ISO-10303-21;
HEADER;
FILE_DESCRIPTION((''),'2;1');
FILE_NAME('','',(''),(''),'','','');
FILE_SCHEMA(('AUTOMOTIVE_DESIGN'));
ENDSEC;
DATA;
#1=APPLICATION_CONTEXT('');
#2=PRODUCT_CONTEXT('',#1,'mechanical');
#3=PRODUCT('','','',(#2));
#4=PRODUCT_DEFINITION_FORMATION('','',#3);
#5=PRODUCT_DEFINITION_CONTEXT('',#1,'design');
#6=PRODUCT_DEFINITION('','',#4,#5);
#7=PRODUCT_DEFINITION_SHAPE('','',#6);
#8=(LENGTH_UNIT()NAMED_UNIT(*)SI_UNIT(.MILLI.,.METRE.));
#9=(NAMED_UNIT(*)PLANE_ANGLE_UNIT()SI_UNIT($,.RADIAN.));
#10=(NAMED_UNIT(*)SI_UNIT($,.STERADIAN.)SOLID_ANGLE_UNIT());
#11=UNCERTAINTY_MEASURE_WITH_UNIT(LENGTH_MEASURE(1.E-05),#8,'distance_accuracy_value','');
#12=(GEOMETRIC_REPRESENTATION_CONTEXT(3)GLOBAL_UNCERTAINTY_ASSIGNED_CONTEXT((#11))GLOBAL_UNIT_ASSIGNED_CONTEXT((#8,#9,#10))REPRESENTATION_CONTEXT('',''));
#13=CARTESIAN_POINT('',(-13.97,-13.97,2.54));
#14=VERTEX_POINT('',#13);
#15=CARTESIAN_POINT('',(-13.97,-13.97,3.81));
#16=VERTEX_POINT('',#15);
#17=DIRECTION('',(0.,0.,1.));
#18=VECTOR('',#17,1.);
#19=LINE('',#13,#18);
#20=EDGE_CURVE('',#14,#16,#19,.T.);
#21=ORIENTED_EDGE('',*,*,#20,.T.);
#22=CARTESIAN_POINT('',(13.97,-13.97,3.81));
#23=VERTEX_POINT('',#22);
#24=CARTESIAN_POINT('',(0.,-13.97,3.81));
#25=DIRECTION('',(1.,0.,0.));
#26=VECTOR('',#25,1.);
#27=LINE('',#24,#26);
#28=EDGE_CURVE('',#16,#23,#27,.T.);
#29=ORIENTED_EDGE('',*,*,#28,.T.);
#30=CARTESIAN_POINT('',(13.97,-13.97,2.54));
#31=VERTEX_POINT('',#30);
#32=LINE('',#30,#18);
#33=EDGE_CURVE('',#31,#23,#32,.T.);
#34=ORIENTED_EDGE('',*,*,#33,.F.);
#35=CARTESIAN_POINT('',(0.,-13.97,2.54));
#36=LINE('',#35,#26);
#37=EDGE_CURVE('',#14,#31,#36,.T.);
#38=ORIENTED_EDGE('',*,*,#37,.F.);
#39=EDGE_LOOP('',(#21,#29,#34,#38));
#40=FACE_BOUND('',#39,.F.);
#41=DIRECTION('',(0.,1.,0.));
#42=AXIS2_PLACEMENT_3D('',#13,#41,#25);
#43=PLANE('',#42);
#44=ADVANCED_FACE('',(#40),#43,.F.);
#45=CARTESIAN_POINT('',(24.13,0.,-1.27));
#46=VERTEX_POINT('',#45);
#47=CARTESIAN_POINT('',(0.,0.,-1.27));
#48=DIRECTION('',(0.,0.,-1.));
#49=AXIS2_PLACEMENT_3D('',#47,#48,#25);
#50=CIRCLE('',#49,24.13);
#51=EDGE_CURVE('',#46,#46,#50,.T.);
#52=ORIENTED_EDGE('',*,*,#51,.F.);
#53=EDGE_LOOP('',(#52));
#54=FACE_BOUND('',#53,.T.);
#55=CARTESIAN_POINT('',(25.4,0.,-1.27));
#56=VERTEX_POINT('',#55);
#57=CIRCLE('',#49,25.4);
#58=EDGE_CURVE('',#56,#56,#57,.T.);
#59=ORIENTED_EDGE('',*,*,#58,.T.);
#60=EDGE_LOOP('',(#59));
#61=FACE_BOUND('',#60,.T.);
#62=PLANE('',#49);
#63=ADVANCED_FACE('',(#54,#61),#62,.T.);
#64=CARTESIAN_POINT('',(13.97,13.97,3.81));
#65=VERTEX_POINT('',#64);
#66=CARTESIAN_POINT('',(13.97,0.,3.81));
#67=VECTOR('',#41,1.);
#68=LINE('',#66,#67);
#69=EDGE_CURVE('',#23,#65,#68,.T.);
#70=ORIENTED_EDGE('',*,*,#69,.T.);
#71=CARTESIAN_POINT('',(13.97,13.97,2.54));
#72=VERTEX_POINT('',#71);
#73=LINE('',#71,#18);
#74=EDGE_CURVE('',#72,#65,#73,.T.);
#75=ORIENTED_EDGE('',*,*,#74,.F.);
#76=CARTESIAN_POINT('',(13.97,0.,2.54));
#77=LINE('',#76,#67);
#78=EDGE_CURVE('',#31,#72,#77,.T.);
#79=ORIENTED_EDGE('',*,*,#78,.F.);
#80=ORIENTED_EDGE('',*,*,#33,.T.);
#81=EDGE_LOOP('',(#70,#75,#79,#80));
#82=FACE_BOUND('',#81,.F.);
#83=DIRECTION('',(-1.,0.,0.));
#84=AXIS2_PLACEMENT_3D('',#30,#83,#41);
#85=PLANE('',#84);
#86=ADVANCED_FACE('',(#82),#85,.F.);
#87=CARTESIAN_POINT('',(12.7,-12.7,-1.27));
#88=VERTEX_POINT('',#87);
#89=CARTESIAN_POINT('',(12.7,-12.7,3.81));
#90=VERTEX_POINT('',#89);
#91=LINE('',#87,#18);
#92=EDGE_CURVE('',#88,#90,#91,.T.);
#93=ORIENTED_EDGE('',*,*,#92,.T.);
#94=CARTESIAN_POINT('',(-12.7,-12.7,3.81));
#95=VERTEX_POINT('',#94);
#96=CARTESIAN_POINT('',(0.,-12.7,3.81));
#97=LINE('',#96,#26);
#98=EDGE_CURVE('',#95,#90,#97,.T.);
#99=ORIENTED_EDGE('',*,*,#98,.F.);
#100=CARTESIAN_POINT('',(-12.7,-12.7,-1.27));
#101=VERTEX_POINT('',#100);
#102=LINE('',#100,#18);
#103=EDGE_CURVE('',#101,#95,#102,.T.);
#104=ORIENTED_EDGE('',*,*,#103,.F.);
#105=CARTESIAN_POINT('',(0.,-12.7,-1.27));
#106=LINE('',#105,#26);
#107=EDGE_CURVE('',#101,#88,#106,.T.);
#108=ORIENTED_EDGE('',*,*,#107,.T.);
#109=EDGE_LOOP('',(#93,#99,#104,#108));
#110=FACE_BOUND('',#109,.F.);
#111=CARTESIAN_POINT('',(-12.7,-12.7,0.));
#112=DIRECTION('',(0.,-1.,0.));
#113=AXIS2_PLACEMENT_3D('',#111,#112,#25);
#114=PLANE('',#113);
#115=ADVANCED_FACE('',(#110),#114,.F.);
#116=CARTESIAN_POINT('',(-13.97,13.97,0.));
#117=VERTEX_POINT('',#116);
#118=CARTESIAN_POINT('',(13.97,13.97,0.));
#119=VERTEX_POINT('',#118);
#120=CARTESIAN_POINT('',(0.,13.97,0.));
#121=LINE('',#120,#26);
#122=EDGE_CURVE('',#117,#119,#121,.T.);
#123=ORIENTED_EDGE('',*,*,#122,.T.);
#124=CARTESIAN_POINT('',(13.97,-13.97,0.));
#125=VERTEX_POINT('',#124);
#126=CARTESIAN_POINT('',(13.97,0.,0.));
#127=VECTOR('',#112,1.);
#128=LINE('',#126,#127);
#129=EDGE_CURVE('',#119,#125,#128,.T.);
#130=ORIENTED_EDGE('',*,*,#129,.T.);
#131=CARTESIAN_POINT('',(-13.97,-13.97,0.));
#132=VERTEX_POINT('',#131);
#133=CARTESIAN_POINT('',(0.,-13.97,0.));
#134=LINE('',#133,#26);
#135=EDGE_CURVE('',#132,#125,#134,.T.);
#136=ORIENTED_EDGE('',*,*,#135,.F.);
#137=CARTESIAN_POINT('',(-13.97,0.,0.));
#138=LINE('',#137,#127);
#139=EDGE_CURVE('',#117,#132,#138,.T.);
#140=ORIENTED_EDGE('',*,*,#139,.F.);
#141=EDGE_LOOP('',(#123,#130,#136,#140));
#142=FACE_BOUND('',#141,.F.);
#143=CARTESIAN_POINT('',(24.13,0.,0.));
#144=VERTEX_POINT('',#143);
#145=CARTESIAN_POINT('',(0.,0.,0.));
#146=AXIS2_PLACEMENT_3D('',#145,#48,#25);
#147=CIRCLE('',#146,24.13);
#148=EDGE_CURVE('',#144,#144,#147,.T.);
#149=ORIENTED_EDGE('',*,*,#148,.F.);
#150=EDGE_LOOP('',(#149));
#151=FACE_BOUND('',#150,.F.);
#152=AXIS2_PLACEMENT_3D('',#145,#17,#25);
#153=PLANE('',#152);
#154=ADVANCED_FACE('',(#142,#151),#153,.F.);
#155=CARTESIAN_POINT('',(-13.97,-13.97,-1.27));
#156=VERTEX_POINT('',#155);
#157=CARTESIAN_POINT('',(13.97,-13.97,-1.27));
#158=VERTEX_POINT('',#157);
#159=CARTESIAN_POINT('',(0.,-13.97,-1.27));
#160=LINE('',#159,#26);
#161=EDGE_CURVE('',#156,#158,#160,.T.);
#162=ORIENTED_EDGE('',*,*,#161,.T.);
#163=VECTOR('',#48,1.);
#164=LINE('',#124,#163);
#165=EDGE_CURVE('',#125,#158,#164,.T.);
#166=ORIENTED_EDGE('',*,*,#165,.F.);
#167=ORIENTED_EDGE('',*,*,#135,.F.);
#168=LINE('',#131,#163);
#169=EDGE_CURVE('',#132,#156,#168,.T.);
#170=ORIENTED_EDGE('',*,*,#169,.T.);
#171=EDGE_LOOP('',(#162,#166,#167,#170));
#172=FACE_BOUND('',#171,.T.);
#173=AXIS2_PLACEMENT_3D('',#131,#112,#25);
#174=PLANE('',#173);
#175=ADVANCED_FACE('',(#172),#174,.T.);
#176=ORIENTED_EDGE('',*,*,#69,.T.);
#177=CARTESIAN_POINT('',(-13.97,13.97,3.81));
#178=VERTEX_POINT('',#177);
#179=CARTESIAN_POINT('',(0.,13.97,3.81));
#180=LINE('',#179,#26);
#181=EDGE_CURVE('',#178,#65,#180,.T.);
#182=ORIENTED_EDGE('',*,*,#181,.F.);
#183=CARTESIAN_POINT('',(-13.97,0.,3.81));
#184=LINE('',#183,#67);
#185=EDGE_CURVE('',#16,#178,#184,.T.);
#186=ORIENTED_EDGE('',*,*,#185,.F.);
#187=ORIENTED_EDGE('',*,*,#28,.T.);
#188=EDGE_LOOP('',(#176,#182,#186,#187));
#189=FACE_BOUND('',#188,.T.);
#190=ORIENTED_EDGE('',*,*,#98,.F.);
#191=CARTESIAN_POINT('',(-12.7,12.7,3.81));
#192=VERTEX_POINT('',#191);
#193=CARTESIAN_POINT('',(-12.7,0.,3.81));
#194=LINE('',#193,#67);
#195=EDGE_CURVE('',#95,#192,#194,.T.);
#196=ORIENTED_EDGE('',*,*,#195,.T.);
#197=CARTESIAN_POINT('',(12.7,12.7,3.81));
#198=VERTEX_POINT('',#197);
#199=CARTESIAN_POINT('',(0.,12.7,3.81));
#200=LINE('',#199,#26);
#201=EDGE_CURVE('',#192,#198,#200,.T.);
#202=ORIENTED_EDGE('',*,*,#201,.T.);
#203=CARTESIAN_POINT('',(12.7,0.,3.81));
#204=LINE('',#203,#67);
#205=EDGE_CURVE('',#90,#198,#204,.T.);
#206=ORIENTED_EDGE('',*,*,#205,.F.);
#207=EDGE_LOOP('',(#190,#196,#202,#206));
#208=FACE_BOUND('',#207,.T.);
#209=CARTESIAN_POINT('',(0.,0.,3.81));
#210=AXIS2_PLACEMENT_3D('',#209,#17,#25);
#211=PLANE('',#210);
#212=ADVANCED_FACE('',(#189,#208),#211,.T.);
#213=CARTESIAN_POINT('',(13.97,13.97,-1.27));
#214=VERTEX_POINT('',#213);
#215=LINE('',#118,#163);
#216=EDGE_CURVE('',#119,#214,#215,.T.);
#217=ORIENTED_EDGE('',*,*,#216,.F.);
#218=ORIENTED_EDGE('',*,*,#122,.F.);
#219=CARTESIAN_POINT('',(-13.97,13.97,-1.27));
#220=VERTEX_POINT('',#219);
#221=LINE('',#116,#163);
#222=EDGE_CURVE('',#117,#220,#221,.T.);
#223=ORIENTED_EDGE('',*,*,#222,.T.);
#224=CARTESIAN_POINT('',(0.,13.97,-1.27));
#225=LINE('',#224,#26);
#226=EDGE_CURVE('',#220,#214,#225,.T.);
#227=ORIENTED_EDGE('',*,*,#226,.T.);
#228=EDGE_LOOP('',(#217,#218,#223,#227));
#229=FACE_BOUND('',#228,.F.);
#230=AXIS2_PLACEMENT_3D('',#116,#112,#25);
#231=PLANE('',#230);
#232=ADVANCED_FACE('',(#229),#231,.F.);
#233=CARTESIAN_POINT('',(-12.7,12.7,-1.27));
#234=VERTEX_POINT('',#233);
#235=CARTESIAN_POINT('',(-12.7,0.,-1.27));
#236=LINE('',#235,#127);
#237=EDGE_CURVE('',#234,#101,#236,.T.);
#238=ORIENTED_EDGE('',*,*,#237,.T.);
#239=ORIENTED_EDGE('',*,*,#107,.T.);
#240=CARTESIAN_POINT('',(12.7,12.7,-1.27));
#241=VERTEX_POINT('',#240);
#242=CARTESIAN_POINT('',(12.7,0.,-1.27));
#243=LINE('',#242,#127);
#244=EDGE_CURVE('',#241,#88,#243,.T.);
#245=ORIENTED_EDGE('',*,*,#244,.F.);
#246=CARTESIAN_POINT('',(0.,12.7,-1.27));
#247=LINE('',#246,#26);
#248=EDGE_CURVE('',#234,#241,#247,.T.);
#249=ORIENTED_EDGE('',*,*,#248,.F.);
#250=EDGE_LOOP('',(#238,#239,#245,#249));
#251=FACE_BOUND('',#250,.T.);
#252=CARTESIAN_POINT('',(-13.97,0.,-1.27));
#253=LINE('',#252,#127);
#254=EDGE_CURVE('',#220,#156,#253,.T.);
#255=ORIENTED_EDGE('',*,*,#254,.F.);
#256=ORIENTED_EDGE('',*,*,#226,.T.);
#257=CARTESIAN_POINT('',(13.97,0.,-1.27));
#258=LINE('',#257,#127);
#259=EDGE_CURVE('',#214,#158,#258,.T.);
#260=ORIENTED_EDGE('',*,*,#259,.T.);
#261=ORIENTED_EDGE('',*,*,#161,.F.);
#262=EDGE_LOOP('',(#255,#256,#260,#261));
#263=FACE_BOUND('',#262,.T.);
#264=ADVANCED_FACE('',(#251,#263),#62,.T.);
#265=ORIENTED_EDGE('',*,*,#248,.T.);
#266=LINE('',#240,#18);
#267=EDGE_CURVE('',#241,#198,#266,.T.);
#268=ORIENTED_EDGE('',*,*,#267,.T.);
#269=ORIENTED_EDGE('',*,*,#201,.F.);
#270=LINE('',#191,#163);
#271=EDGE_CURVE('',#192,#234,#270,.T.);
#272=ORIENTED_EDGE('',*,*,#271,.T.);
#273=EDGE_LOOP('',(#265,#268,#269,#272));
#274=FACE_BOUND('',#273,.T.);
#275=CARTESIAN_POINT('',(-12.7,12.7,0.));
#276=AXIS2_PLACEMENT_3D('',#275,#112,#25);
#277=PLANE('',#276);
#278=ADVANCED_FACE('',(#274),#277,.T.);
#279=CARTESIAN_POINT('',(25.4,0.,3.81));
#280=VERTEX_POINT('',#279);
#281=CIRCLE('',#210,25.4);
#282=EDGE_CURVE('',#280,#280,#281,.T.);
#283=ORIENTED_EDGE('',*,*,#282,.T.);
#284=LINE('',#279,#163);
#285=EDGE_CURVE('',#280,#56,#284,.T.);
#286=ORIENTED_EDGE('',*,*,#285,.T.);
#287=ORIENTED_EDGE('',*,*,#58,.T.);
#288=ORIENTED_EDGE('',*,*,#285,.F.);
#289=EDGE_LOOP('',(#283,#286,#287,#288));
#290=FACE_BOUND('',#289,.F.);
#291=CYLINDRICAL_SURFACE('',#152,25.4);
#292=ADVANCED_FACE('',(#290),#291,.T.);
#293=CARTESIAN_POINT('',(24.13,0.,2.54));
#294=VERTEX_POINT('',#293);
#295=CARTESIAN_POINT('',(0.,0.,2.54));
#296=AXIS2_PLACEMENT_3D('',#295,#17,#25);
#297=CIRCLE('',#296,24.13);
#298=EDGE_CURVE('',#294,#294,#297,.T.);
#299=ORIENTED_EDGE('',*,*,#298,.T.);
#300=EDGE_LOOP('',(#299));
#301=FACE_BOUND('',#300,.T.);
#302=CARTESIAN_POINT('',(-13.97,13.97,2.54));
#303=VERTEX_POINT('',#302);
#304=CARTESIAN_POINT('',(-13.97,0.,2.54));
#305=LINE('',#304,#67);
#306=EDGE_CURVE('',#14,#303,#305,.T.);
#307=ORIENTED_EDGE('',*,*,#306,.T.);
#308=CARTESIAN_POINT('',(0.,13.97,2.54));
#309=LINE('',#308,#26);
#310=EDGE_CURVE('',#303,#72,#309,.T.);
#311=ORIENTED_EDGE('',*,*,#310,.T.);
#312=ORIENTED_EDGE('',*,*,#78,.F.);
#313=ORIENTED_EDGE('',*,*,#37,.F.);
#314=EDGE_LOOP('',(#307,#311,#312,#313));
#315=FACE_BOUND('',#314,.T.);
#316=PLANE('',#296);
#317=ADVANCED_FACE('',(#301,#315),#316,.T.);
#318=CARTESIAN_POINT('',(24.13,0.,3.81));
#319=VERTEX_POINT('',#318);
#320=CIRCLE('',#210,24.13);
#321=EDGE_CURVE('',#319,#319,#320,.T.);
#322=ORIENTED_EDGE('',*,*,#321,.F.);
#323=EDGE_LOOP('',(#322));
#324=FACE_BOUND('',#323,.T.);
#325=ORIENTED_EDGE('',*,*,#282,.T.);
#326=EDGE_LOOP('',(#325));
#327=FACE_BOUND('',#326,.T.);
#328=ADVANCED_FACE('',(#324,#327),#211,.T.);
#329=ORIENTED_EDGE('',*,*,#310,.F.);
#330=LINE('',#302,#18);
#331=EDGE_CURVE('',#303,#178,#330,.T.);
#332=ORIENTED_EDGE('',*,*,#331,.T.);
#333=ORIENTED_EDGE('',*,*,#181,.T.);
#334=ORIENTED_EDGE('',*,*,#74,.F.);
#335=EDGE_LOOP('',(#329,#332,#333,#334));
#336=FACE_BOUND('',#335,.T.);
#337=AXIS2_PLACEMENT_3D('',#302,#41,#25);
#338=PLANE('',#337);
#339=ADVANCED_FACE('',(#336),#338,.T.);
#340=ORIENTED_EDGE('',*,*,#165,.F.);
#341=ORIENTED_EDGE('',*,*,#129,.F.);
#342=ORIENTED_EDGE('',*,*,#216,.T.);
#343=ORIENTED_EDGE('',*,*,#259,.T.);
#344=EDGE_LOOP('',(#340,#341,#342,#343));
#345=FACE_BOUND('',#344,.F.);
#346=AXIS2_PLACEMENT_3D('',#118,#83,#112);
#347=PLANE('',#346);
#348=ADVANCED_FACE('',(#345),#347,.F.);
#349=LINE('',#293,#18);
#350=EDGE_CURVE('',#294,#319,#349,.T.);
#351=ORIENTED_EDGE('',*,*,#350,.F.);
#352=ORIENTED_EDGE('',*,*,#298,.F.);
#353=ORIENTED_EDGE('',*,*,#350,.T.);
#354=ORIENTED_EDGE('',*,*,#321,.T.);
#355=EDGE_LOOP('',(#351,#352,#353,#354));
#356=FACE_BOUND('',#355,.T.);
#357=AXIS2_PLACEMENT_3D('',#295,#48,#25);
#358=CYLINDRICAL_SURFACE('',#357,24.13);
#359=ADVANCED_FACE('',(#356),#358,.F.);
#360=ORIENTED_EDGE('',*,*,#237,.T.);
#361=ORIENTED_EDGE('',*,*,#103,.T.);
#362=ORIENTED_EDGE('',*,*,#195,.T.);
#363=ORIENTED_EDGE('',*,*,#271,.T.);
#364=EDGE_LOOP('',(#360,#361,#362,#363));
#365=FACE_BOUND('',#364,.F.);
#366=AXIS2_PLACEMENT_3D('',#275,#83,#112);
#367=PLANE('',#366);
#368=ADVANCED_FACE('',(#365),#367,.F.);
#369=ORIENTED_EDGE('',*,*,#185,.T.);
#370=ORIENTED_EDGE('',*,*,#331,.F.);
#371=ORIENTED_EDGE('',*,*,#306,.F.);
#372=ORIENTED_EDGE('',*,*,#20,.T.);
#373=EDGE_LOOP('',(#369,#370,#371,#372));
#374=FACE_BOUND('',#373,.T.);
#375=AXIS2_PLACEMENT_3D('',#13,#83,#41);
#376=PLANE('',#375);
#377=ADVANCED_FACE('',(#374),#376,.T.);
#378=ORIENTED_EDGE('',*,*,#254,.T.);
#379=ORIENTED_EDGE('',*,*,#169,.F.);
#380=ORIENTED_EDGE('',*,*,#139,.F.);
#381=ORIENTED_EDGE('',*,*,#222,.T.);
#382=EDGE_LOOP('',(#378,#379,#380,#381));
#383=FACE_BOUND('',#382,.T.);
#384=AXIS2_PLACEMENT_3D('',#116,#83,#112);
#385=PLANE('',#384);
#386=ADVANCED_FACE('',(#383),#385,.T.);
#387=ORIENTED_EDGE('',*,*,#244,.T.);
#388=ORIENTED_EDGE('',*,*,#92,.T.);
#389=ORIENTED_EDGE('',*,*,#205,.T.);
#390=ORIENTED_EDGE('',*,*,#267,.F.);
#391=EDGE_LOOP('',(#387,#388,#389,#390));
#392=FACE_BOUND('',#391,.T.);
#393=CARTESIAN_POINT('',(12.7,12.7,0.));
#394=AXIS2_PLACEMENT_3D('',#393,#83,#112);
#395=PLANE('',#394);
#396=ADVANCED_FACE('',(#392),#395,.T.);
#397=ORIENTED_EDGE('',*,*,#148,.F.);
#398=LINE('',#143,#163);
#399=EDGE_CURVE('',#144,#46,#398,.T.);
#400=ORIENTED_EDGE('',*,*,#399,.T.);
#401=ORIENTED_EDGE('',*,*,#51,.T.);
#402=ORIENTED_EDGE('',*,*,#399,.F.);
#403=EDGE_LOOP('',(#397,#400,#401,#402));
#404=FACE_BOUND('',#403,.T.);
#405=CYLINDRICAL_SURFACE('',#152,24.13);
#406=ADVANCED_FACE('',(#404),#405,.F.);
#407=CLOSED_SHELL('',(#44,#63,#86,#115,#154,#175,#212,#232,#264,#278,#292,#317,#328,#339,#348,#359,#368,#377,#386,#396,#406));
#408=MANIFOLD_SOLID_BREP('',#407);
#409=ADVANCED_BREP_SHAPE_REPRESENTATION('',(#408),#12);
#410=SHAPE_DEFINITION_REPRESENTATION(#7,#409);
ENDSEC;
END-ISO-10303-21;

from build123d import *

# Parameters (mm, degrees)
F0_R     = 25.4
F0_W     = 25.4
F0_H     = 25.4
F1_DEPTH = 2.54
F2_R     = 25.4
F2_R_2   = 24.13
F2_W     = 27.94
F2_H     = 27.94
F2_W_2   = 25.4
F2_H_2   = 25.4
F3_DEPTH = 1.27
F4_R     = 25.4
F4_R_2   = 24.13
F4_W     = 27.94
F4_H     = 27.94
F4_W_2   = 25.4
F4_H_2   = 25.4
F5_DEPTH = 1.27


with BuildPart() as f1:
    # F0 (on Top) → F1 (new body)
    with BuildSketch(Plane.XY):
        Circle(F0_R)
        Rectangle(F0_W, F0_H, mode=Mode.SUBTRACT)
    extrude(amount=F1_DEPTH)

    # F2 (on face) → F3 (join)
    with BuildSketch(Plane.XY.offset(2.54)):
        Circle(F2_R)
        Circle(F2_R_2, mode=Mode.SUBTRACT)
        Rectangle(F2_W, F2_H)
        Rectangle(F2_W_2, F2_H_2, mode=Mode.SUBTRACT)
    extrude(amount=F3_DEPTH)

    # F4 (on face) → F5 (join)
    with BuildSketch(Plane(origin=(0, 0, 0), x_dir=(1, 0, 0), z_dir=(0, 0, -1))):
        Circle(F4_R)
        Circle(F4_R_2, mode=Mode.SUBTRACT)
        Rectangle(F4_W, F4_H)
        Rectangle(F4_W_2, F4_H_2, mode=Mode.SUBTRACT)
    extrude(amount=F5_DEPTH)


solid = f1.part
